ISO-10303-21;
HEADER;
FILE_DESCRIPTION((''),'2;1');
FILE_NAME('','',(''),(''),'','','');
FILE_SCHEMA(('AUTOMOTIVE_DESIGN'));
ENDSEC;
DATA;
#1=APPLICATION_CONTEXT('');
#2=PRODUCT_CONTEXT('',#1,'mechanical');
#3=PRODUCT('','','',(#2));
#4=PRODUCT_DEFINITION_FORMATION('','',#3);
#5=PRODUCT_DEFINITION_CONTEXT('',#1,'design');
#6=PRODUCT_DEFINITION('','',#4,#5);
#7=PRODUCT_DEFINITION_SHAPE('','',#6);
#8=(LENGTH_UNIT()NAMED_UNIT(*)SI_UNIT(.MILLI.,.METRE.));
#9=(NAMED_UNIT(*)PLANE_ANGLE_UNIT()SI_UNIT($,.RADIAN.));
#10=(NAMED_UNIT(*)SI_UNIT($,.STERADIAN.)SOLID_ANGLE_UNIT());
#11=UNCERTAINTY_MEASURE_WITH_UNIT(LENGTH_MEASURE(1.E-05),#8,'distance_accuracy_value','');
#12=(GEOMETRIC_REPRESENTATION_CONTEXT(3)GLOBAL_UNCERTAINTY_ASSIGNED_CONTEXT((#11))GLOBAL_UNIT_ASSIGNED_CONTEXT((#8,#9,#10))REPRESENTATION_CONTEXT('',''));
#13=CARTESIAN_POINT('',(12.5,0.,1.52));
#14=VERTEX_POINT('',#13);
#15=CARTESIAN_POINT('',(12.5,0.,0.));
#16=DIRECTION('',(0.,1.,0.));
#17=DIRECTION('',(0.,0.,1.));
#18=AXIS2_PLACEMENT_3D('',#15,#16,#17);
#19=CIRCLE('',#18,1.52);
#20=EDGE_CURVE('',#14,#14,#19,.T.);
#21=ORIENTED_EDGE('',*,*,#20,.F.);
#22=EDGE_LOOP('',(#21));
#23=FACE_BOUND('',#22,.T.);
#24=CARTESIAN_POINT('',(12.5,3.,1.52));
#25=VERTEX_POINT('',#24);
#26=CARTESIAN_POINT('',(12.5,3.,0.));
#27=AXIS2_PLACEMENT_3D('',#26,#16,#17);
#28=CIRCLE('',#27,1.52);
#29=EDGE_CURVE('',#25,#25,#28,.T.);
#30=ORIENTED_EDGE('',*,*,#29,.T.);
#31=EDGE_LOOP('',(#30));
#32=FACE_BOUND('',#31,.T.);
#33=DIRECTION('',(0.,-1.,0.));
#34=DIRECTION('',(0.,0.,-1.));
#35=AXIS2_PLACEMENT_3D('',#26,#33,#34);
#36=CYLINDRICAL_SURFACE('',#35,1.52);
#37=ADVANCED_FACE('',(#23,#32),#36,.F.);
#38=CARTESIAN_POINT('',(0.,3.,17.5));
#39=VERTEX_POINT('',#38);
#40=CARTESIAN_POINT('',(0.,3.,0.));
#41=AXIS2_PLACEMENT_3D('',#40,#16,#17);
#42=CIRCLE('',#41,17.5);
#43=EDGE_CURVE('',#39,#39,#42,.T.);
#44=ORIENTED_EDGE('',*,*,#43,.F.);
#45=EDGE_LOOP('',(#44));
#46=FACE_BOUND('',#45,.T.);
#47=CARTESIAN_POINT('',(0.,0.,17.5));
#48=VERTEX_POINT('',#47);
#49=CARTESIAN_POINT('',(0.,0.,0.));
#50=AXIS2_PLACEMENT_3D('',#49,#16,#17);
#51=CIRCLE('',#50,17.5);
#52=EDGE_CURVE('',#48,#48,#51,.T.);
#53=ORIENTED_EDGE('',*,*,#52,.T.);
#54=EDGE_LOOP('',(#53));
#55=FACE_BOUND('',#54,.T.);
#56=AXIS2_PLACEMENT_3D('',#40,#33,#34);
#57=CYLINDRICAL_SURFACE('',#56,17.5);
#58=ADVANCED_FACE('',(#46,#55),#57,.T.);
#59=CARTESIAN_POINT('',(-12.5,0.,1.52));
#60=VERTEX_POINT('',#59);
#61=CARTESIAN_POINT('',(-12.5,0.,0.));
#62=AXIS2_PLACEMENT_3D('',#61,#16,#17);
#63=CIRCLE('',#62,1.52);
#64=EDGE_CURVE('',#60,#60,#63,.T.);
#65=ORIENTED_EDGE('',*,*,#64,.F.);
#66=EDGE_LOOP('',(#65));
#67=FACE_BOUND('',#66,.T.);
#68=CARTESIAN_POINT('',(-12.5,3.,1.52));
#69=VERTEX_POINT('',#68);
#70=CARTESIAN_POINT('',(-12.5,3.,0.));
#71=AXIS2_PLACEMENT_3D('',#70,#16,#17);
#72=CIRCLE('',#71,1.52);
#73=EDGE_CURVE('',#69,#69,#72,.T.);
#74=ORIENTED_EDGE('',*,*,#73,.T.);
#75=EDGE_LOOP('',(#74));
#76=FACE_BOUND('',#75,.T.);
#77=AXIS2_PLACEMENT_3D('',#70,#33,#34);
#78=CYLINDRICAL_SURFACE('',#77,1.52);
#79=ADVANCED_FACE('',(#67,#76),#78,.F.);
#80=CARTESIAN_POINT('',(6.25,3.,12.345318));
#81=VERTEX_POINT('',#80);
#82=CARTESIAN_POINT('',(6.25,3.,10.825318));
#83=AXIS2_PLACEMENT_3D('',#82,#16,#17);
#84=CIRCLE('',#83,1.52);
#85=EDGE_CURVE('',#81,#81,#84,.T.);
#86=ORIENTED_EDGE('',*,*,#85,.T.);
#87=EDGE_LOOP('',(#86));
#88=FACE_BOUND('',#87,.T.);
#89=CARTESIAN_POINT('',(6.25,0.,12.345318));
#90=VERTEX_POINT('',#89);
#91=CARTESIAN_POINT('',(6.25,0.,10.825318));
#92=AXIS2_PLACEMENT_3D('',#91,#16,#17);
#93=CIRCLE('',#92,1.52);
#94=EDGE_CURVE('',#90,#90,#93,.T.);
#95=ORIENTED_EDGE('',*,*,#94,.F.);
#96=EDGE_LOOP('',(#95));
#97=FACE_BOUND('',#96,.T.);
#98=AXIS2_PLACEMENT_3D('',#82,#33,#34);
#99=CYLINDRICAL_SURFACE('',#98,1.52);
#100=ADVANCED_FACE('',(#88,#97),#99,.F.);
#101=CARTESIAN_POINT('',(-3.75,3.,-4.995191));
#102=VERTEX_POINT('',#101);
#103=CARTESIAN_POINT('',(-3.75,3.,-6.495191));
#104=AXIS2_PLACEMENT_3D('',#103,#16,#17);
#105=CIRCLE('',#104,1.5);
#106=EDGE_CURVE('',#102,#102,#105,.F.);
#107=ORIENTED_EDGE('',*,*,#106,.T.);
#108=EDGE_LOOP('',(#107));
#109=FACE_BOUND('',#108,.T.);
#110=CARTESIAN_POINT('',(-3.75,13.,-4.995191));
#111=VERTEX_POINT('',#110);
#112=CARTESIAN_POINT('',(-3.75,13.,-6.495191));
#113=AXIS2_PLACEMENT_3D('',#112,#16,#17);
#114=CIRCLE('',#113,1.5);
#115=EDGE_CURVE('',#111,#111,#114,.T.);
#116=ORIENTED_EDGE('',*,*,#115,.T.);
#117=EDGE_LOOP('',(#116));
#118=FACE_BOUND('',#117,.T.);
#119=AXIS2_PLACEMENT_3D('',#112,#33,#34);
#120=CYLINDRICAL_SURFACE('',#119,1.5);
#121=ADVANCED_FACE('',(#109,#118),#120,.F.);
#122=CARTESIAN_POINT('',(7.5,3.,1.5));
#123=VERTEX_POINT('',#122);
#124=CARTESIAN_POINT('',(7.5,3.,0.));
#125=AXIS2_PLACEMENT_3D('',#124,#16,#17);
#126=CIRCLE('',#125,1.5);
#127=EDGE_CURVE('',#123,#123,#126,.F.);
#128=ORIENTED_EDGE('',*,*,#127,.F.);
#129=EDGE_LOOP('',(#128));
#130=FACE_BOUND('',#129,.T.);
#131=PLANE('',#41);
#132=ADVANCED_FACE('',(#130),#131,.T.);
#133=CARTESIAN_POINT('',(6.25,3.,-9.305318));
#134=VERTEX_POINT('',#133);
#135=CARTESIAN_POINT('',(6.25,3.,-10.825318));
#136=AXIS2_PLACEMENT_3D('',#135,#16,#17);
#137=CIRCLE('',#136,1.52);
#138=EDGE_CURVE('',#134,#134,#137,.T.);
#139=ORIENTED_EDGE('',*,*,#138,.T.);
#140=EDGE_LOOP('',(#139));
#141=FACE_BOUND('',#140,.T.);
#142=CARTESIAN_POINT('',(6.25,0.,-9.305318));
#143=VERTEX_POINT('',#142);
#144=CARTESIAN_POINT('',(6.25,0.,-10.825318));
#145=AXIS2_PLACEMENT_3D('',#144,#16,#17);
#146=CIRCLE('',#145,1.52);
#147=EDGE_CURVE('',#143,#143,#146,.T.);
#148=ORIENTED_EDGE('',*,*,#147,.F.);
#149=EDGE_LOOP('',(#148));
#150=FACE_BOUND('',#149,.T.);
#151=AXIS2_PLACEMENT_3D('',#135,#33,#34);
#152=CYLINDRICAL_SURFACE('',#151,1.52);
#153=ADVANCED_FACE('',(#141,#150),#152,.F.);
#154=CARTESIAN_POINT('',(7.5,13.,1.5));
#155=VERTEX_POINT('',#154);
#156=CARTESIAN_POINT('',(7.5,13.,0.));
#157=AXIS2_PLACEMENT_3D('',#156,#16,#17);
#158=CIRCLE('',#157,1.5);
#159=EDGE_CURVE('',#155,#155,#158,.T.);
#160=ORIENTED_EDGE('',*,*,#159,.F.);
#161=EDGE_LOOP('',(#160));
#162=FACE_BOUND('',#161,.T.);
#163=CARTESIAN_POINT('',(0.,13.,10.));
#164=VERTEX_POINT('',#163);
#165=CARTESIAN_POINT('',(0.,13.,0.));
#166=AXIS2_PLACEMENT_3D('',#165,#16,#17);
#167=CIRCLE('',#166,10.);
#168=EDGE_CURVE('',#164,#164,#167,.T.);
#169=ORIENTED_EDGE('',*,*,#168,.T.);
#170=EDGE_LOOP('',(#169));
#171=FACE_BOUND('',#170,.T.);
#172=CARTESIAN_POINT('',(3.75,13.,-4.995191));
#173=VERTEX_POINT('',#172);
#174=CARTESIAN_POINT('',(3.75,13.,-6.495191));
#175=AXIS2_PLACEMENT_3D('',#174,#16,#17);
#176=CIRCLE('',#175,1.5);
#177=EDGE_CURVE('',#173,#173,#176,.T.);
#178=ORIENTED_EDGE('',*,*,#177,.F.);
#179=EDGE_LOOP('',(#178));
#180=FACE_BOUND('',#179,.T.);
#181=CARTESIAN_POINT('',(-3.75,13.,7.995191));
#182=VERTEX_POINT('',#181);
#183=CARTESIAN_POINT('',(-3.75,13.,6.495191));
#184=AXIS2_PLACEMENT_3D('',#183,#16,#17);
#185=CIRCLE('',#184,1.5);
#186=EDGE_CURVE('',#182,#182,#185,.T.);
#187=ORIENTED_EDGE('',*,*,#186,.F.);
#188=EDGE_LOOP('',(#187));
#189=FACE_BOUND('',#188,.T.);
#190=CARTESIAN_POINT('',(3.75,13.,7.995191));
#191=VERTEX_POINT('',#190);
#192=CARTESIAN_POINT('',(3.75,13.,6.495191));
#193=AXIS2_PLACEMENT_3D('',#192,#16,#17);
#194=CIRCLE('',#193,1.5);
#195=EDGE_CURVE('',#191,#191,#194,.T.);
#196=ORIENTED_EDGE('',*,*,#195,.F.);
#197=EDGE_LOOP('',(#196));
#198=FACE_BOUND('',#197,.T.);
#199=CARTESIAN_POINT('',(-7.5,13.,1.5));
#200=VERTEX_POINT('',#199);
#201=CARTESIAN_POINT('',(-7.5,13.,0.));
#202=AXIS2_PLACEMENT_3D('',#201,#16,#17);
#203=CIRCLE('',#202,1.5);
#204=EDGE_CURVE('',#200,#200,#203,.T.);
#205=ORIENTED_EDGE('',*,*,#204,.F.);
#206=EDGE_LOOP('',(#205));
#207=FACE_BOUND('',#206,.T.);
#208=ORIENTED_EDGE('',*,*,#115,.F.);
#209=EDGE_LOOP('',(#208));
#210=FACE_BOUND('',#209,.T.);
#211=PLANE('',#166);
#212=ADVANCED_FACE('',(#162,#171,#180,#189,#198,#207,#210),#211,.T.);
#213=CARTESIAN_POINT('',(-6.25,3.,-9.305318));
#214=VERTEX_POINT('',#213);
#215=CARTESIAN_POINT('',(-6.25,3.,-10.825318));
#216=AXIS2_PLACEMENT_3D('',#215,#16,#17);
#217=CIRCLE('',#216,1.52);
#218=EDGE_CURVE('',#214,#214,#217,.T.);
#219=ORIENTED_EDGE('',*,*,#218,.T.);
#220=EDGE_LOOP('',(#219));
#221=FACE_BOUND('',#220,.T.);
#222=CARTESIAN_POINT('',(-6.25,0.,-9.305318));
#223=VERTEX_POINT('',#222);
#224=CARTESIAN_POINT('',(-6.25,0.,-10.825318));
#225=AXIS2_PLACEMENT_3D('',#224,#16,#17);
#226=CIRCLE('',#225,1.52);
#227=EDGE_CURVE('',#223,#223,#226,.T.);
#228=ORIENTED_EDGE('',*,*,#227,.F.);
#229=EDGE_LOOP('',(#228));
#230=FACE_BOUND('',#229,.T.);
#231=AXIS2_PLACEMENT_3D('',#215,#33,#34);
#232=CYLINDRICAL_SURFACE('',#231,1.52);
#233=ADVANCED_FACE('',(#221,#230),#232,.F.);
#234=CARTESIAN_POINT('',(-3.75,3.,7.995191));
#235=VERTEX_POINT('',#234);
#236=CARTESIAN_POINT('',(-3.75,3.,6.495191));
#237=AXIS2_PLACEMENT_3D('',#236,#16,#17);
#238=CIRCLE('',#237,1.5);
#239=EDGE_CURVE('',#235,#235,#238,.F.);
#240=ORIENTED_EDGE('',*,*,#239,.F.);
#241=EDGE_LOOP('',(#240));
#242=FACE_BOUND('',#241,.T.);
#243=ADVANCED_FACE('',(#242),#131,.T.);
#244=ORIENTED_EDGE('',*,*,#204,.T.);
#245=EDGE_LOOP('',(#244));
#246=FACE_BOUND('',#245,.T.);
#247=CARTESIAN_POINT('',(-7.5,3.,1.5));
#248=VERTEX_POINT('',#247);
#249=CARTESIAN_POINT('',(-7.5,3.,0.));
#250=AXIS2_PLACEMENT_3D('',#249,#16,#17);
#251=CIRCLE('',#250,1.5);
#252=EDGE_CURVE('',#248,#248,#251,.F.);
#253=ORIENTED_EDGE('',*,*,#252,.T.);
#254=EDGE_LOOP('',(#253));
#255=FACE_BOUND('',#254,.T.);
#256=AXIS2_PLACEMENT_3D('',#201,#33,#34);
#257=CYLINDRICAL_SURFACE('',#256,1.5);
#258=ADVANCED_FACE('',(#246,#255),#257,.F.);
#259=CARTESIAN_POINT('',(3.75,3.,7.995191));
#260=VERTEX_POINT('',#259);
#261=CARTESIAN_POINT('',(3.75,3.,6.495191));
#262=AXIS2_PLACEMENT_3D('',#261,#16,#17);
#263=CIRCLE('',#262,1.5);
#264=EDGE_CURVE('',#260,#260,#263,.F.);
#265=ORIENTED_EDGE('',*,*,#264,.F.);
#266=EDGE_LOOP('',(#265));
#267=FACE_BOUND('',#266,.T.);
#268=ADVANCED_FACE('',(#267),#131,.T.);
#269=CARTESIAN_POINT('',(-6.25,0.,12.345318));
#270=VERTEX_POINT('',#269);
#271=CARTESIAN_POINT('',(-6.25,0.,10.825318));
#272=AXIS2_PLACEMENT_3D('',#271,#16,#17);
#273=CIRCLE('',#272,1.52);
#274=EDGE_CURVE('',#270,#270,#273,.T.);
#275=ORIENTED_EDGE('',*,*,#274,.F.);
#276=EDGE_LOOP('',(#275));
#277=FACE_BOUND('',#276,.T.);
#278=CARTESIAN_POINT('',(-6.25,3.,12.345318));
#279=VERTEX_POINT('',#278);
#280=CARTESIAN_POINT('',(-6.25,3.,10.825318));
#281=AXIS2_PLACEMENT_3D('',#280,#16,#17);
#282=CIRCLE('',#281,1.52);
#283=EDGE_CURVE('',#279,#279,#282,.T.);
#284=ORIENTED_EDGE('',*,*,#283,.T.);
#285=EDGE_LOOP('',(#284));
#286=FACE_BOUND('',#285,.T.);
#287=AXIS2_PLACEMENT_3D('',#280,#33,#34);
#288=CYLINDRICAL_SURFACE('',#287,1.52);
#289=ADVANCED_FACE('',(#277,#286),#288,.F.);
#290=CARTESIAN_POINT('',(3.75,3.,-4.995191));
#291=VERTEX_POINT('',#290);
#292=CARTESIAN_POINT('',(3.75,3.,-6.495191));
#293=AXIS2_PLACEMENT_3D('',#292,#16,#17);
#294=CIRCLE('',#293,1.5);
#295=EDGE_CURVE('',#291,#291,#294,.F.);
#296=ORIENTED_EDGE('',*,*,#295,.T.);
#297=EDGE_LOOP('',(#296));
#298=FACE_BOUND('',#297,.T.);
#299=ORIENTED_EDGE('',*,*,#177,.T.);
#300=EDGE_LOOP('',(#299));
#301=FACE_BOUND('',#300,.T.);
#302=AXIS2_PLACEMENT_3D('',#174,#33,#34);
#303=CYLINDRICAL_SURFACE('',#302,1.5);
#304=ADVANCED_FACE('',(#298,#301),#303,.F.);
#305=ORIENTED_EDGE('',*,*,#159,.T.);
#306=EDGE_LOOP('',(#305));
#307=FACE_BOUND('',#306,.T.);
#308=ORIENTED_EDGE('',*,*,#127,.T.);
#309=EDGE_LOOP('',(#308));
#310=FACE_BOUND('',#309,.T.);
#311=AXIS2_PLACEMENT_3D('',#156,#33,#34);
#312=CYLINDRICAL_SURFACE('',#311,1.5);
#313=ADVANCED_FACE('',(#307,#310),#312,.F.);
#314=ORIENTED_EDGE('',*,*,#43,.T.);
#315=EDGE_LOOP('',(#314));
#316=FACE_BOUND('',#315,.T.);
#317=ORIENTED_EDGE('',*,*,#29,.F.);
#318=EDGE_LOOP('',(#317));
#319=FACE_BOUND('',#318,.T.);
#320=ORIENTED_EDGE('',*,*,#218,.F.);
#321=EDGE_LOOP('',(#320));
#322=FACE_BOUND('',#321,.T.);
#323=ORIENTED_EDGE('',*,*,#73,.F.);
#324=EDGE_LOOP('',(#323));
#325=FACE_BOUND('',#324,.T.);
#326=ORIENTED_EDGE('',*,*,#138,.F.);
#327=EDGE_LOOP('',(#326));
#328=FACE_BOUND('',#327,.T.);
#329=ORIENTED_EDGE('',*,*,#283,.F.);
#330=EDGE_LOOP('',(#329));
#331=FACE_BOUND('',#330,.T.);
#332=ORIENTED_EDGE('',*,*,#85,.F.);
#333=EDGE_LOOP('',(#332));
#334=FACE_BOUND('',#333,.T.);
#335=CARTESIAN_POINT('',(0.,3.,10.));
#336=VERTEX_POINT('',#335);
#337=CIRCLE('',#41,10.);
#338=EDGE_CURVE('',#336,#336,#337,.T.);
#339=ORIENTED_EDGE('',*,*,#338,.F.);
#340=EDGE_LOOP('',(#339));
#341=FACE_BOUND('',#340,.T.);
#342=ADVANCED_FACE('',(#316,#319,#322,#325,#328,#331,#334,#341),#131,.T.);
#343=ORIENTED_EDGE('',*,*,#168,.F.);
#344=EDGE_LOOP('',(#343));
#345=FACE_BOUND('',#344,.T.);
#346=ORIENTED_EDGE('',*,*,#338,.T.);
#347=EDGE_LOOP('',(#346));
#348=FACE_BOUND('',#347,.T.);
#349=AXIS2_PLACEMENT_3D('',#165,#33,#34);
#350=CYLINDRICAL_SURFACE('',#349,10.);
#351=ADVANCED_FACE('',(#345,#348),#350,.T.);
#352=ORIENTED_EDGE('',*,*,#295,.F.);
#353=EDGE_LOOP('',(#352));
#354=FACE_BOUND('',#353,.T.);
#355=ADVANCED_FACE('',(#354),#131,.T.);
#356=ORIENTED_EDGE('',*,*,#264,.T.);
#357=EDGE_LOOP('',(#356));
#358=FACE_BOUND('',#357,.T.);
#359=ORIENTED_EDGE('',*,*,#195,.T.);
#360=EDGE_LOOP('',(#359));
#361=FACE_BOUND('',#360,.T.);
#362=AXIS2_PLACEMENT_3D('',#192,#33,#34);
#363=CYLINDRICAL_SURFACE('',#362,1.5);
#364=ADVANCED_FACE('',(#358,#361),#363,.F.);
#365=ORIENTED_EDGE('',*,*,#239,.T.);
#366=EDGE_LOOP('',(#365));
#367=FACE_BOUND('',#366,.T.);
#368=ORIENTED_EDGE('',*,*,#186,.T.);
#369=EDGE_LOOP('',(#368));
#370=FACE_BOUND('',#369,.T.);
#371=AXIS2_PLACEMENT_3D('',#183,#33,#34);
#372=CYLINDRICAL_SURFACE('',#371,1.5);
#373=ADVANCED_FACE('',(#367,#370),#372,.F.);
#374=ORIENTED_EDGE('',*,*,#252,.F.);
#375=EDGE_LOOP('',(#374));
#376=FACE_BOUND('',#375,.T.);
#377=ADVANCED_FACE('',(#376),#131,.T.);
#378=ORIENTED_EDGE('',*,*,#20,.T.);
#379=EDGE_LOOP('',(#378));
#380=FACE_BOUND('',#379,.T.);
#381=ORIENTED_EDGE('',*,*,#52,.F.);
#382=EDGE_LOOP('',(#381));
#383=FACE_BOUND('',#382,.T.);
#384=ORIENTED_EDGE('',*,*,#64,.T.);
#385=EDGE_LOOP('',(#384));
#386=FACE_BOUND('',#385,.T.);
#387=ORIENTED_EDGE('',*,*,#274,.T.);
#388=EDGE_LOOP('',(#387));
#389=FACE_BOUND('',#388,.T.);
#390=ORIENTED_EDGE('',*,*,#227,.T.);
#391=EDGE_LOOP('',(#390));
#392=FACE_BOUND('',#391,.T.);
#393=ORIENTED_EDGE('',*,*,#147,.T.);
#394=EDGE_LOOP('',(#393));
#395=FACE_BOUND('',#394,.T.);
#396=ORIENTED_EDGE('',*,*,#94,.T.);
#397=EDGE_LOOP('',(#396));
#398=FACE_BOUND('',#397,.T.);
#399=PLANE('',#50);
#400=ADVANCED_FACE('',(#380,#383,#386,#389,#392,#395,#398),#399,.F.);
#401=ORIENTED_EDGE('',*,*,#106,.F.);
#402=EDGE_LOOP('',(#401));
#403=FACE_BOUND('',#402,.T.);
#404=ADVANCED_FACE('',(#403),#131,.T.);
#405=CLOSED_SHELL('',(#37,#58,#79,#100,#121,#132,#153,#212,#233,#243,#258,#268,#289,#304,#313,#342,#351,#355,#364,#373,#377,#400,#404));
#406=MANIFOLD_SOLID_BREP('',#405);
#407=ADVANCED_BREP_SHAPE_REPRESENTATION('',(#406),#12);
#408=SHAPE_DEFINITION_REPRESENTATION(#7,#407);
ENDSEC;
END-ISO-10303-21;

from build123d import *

# Parameters (mm, degrees)
CROQUIS1_R              = 17.5
CROQUIS1_R_2            = 1.52
SALIENTE_EXTRUIR1_DEPTH = 3
CROQUIS2_R              = 10
CROQUIS2_R_2            = 1.5
SALIENTE_EXTRUIR2_DEPTH = 10


with BuildPart() as part:
    # Croquis1 → Saliente-Extruir1 (new body)
    with BuildSketch(Plane(origin=(0, 0, 0), x_dir=(1, 0, 0), z_dir=(0, 1, 0))):
        with Locations(Location((0, 0, 0), (0, 0, 270))):
            Circle(CROQUIS1_R)
        with Locations(Location((12.5, 0, 0), (0, 0, 270))):
            Circle(CROQUIS1_R_2, mode=Mode.SUBTRACT)
        with Locations(Location((6.25, -10.825317547, 0), (0, 0, 270))):
            Circle(CROQUIS1_R_2, mode=Mode.SUBTRACT)
        with Locations(Location((-6.25, -10.825317547, 0), (0, 0, 270))):
            Circle(CROQUIS1_R_2, mode=Mode.SUBTRACT)
        with Locations(Location((-12.5, 0, 0), (0, 0, 270))):
            Circle(CROQUIS1_R_2, mode=Mode.SUBTRACT)
        with Locations(Location((-6.25, 10.825317547, 0), (0, 0, 270))):
            Circle(CROQUIS1_R_2, mode=Mode.SUBTRACT)
        with Locations(Location((6.25, 10.825317547, 0), (0, 0, 270))):
            Circle(CROQUIS1_R_2, mode=Mode.SUBTRACT)
    extrude(amount=SALIENTE_EXTRUIR1_DEPTH)

    # Croquis2 → Saliente-Extruir2 (add)
    with BuildSketch(Plane(origin=(0, 3, 0), x_dir=(1, 0, 0), z_dir=(0, 1, 0))):
        with Locations(Location((0, 0, 0), (0, 0, 270))):
            Circle(CROQUIS2_R)
        with Locations(Location((7.5, 0, 0), (0, 0, 270))):
            Circle(CROQUIS2_R_2, mode=Mode.SUBTRACT)
        with Locations(Location((3.75, -6.495190528, 0), (0, 0, 270))):
            Circle(CROQUIS2_R_2, mode=Mode.SUBTRACT)
        with Locations(Location((-3.75, -6.495190528, 0), (0, 0, 270))):
            Circle(CROQUIS2_R_2, mode=Mode.SUBTRACT)
        with Locations(Location((-7.5, 0, 0), (0, 0, 270))):
            Circle(CROQUIS2_R_2, mode=Mode.SUBTRACT)
        with Locations(Location((-3.75, 6.495190528, 0), (0, 0, 270))):
            Circle(CROQUIS2_R_2, mode=Mode.SUBTRACT)
        with Locations(Location((3.75, 6.495190528, 0), (0, 0, 270))):
            Circle(CROQUIS2_R_2, mode=Mode.SUBTRACT)
    extrude(amount=SALIENTE_EXTRUIR2_DEPTH)


solid = part.part
